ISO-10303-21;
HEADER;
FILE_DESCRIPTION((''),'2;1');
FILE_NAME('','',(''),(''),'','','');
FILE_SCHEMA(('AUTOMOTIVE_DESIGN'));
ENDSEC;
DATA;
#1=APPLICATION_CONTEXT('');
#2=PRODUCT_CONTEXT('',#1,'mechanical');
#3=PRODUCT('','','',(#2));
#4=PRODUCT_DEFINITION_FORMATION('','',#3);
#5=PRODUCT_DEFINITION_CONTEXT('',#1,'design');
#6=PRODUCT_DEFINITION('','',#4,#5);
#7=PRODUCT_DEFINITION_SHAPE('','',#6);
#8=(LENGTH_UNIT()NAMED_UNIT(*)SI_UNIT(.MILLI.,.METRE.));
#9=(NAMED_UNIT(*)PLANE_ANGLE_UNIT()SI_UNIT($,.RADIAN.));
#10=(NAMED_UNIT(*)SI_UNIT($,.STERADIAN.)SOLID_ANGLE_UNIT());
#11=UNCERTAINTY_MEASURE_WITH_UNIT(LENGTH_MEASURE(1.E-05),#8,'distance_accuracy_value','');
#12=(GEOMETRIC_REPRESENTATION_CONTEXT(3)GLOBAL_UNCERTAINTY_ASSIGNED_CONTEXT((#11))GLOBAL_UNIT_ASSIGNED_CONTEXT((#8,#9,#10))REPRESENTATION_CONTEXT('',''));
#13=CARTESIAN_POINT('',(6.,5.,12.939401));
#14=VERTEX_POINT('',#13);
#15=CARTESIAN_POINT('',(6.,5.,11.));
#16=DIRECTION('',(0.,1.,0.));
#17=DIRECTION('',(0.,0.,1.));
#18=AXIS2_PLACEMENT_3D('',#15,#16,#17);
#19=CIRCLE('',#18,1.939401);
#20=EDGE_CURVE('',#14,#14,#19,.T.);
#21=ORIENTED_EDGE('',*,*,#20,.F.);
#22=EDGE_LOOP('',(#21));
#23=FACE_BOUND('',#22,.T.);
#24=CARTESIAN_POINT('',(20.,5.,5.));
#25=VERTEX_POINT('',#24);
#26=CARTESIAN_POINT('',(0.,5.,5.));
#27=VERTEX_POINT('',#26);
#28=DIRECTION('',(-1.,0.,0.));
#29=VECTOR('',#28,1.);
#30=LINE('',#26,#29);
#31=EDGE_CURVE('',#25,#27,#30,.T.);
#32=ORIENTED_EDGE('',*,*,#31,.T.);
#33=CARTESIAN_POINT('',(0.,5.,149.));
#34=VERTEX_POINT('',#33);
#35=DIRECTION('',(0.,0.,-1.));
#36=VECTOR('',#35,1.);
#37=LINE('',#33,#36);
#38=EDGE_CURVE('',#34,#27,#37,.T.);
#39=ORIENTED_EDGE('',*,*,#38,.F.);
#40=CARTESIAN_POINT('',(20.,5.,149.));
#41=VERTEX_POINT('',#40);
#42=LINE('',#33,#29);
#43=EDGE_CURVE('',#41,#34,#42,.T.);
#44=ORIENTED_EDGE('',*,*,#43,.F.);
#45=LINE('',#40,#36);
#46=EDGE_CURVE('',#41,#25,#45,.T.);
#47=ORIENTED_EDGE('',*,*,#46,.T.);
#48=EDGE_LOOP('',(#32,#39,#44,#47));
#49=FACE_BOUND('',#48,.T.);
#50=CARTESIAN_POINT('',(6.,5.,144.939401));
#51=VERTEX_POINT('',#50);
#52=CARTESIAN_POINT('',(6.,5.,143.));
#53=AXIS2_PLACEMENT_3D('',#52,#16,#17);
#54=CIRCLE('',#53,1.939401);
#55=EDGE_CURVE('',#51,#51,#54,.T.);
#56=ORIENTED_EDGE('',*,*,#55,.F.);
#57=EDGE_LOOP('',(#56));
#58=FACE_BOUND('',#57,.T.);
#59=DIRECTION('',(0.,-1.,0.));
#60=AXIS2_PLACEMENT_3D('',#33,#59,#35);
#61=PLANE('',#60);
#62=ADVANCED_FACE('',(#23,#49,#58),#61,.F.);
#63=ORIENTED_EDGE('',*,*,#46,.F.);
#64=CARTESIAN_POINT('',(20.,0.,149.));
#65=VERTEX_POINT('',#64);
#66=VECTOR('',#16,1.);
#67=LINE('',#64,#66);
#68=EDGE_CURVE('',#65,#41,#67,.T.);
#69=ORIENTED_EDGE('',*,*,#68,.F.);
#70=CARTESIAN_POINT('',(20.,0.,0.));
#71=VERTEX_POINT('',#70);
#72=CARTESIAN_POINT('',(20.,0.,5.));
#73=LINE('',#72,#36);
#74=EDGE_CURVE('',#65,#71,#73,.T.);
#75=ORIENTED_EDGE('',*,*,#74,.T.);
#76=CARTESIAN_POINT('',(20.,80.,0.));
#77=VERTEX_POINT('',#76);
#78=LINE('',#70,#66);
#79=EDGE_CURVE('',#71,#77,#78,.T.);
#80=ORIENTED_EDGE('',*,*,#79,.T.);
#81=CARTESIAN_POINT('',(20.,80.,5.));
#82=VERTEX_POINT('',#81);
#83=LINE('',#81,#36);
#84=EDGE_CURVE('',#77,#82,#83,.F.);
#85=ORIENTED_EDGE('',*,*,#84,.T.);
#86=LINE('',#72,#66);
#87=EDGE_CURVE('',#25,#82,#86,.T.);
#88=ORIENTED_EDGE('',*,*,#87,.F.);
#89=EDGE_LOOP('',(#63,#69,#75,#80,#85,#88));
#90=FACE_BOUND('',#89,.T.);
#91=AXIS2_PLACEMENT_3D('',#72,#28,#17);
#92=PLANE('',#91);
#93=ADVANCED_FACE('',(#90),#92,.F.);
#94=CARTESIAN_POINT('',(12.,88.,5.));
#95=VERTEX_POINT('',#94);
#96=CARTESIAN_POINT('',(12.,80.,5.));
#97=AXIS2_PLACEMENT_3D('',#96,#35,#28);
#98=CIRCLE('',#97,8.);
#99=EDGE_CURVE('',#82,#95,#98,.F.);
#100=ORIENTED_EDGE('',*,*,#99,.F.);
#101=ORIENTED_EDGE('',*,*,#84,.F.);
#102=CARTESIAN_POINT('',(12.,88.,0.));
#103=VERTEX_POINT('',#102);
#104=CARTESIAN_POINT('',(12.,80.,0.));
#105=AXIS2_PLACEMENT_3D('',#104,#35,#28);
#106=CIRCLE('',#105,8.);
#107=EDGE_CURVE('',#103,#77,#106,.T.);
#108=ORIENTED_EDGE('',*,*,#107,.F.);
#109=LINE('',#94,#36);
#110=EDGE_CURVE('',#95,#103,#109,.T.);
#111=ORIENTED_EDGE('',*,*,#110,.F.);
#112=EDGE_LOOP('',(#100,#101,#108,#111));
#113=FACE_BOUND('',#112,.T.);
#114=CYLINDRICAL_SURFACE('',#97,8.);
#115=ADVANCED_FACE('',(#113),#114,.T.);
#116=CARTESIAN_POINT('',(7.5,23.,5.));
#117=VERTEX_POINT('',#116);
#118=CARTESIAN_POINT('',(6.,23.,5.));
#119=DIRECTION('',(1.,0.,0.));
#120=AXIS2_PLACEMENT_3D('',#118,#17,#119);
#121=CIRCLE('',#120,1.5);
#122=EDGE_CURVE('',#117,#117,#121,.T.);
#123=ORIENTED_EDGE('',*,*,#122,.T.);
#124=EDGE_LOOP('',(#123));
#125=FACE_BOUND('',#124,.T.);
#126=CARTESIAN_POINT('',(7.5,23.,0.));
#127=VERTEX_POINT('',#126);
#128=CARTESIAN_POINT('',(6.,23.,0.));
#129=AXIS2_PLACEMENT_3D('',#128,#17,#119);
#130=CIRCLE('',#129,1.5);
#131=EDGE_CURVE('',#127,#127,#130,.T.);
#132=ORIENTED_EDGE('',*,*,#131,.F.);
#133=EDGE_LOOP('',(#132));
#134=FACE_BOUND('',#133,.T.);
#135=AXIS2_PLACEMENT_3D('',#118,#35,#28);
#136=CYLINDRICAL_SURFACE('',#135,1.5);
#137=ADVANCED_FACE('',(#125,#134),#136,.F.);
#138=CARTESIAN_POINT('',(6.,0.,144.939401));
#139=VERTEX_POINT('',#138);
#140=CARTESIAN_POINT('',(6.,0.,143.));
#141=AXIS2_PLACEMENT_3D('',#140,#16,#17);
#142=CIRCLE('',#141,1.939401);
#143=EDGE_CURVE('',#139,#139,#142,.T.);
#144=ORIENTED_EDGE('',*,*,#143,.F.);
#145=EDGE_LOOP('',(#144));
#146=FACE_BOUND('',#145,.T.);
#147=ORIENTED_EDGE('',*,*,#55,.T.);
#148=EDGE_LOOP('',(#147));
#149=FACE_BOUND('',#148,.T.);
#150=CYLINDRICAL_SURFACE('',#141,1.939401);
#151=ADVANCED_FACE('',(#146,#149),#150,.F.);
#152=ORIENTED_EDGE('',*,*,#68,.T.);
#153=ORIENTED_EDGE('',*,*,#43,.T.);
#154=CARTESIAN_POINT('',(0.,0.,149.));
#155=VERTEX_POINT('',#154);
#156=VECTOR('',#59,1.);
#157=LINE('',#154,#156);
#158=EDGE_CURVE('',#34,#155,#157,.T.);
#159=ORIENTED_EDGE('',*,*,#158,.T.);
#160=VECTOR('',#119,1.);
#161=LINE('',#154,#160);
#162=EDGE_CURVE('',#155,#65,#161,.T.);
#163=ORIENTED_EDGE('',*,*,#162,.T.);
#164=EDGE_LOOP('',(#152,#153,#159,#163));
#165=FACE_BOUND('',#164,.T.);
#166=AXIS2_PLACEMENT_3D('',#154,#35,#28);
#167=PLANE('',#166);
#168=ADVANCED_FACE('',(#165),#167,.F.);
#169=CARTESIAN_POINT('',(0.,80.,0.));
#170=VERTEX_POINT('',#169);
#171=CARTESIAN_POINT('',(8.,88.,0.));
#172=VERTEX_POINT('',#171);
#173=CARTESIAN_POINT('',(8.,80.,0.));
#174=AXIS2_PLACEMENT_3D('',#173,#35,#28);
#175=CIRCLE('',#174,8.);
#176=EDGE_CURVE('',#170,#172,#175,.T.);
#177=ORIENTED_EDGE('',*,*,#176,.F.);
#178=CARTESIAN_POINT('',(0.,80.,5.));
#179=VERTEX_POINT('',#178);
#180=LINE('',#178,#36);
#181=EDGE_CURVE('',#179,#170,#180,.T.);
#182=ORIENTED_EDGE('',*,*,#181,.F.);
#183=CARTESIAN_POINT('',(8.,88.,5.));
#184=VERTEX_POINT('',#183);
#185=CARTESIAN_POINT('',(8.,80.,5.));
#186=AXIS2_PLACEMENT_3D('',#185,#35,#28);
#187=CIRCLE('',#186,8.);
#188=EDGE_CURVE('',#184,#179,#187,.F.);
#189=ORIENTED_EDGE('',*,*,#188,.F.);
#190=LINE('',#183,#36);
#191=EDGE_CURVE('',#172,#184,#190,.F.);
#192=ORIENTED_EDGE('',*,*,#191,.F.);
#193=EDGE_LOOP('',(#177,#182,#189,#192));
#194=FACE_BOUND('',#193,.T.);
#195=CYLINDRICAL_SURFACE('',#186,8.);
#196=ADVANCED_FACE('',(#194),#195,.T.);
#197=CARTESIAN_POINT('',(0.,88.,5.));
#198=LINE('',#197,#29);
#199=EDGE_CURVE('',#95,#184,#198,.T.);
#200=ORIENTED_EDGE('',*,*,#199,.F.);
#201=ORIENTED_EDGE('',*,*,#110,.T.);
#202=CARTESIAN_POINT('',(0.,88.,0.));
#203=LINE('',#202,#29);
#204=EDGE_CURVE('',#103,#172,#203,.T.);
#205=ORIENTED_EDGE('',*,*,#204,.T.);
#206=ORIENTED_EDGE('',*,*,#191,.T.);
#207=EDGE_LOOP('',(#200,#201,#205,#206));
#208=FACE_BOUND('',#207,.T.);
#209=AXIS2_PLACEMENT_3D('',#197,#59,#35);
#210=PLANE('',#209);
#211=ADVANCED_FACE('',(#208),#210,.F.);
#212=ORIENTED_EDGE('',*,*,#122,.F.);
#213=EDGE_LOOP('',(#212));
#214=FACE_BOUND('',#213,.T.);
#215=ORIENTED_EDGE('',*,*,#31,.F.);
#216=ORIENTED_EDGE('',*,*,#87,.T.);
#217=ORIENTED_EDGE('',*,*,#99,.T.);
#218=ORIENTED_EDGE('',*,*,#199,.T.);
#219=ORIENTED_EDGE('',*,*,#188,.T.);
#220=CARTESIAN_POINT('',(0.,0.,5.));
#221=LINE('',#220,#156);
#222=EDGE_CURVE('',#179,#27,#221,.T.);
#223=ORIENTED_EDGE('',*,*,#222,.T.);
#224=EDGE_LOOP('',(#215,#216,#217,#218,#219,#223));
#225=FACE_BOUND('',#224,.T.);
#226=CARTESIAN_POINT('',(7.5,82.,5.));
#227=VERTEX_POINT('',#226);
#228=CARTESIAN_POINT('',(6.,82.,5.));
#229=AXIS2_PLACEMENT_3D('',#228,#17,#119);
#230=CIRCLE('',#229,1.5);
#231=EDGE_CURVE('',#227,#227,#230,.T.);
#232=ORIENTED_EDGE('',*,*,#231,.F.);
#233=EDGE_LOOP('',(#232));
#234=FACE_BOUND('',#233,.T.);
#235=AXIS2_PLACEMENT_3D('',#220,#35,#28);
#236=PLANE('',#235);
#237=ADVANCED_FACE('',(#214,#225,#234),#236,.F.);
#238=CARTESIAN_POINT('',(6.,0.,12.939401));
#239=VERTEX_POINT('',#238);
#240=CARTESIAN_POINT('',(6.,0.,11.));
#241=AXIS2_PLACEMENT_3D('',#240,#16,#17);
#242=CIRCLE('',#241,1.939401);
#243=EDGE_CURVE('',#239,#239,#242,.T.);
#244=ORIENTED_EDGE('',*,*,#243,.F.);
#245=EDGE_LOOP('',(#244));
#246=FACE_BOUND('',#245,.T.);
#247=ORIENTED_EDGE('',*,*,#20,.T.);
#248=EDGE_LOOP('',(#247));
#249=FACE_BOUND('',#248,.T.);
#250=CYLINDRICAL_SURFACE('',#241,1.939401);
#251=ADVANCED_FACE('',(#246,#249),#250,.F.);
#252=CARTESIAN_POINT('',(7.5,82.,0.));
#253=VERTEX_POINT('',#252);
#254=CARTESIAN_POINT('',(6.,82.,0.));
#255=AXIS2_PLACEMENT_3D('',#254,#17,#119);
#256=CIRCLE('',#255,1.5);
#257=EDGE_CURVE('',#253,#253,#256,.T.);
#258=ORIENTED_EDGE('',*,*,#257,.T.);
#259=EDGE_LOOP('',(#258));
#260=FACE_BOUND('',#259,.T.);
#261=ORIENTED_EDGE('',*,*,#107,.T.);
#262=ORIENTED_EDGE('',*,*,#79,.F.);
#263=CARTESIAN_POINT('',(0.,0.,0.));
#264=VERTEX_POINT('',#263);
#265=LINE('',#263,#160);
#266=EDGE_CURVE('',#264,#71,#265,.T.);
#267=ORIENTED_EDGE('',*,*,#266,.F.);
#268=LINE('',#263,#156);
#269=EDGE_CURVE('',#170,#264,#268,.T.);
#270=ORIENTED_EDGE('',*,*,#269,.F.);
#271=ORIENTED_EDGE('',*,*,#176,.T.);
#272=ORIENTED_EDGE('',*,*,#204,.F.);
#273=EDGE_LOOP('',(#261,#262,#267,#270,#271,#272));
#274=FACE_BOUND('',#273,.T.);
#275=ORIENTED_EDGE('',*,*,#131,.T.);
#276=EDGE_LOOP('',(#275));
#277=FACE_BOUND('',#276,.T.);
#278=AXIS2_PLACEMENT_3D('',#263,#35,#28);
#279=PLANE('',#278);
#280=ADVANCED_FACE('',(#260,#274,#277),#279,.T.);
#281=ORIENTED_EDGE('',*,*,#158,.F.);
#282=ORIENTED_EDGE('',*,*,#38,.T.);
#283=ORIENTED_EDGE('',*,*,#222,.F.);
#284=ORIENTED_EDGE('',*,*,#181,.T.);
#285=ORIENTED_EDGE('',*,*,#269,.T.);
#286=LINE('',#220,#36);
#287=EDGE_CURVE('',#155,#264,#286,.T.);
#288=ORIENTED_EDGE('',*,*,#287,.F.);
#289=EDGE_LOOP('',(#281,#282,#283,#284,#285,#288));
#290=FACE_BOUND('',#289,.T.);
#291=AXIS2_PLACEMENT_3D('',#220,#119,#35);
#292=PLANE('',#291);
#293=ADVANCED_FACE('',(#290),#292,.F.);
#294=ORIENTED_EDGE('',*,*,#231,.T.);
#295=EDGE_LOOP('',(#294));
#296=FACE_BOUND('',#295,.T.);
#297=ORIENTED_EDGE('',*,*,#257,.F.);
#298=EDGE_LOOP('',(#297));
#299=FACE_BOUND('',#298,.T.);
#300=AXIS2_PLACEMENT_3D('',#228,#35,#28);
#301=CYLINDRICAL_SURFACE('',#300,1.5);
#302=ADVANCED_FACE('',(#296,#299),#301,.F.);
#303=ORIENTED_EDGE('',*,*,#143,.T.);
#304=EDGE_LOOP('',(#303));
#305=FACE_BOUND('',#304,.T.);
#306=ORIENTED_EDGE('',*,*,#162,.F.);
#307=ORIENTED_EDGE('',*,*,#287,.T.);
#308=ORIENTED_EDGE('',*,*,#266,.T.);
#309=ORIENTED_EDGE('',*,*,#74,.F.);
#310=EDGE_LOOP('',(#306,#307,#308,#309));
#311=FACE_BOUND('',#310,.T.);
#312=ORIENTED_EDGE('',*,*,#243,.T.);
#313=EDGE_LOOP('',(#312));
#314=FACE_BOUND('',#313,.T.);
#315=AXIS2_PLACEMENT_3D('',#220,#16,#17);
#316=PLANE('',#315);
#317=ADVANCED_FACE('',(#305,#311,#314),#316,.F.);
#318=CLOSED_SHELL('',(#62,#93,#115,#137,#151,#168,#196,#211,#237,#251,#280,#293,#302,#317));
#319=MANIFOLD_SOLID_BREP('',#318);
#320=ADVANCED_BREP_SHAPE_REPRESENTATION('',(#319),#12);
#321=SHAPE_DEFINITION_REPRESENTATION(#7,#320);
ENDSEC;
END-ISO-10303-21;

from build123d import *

# Parameters (mm, degrees)
SKETCH1_W           = 20
SKETCH1_H           = 88
SKETCH1_R           = 1.5
BOSS_EXTRUDE1_DEPTH = 5
SKETCH2_W           = 20
SKETCH2_H           = 5
BOSS_EXTRUDE2_DEPTH = 144
FILLET1_R           = 8
SKETCH3_R           = 1.939400698
CUT_EXTRUDE1_DEPTH  = 6


with BuildPart() as part:
    # Sketch1 → Boss-Extrude1 (new body)
    with BuildSketch(Plane.XY):
        with Locations((10, 44)):
            Rectangle(SKETCH1_W, SKETCH1_H)
        with Locations((6, 82)):
            Circle(SKETCH1_R, mode=Mode.SUBTRACT)
        with Locations((6, 23)):
            Circle(SKETCH1_R, mode=Mode.SUBTRACT)
    extrude(amount=BOSS_EXTRUDE1_DEPTH)

    # Sketch2 → Boss-Extrude2 (add)
    with BuildSketch(Plane.XY.offset(5)):
        with Locations((10, 2.5)):
            Rectangle(SKETCH2_W, SKETCH2_H)
    extrude(amount=BOSS_EXTRUDE2_DEPTH)

    # Fillet1
    fillet1_edges = [part.edges().sort_by_distance(p)[0] for p in [
        (20, 88, 2.5),
        (0, 88, 2.5),
    ]]
    fillet(fillet1_edges, radius=FILLET1_R)

    # Sketch3 → Cut-Extrude1 (cut, through all)
    with BuildSketch(Plane(origin=(0, 5, 0), x_dir=(1, 0, 0), z_dir=(0, 1, 0))):
        with Locations((6, -143)):
            Circle(SKETCH3_R)
        with Locations((6, -11)):
            Circle(SKETCH3_R)
    extrude(amount=-CUT_EXTRUDE1_DEPTH, mode=Mode.SUBTRACT)


solid = part.part
